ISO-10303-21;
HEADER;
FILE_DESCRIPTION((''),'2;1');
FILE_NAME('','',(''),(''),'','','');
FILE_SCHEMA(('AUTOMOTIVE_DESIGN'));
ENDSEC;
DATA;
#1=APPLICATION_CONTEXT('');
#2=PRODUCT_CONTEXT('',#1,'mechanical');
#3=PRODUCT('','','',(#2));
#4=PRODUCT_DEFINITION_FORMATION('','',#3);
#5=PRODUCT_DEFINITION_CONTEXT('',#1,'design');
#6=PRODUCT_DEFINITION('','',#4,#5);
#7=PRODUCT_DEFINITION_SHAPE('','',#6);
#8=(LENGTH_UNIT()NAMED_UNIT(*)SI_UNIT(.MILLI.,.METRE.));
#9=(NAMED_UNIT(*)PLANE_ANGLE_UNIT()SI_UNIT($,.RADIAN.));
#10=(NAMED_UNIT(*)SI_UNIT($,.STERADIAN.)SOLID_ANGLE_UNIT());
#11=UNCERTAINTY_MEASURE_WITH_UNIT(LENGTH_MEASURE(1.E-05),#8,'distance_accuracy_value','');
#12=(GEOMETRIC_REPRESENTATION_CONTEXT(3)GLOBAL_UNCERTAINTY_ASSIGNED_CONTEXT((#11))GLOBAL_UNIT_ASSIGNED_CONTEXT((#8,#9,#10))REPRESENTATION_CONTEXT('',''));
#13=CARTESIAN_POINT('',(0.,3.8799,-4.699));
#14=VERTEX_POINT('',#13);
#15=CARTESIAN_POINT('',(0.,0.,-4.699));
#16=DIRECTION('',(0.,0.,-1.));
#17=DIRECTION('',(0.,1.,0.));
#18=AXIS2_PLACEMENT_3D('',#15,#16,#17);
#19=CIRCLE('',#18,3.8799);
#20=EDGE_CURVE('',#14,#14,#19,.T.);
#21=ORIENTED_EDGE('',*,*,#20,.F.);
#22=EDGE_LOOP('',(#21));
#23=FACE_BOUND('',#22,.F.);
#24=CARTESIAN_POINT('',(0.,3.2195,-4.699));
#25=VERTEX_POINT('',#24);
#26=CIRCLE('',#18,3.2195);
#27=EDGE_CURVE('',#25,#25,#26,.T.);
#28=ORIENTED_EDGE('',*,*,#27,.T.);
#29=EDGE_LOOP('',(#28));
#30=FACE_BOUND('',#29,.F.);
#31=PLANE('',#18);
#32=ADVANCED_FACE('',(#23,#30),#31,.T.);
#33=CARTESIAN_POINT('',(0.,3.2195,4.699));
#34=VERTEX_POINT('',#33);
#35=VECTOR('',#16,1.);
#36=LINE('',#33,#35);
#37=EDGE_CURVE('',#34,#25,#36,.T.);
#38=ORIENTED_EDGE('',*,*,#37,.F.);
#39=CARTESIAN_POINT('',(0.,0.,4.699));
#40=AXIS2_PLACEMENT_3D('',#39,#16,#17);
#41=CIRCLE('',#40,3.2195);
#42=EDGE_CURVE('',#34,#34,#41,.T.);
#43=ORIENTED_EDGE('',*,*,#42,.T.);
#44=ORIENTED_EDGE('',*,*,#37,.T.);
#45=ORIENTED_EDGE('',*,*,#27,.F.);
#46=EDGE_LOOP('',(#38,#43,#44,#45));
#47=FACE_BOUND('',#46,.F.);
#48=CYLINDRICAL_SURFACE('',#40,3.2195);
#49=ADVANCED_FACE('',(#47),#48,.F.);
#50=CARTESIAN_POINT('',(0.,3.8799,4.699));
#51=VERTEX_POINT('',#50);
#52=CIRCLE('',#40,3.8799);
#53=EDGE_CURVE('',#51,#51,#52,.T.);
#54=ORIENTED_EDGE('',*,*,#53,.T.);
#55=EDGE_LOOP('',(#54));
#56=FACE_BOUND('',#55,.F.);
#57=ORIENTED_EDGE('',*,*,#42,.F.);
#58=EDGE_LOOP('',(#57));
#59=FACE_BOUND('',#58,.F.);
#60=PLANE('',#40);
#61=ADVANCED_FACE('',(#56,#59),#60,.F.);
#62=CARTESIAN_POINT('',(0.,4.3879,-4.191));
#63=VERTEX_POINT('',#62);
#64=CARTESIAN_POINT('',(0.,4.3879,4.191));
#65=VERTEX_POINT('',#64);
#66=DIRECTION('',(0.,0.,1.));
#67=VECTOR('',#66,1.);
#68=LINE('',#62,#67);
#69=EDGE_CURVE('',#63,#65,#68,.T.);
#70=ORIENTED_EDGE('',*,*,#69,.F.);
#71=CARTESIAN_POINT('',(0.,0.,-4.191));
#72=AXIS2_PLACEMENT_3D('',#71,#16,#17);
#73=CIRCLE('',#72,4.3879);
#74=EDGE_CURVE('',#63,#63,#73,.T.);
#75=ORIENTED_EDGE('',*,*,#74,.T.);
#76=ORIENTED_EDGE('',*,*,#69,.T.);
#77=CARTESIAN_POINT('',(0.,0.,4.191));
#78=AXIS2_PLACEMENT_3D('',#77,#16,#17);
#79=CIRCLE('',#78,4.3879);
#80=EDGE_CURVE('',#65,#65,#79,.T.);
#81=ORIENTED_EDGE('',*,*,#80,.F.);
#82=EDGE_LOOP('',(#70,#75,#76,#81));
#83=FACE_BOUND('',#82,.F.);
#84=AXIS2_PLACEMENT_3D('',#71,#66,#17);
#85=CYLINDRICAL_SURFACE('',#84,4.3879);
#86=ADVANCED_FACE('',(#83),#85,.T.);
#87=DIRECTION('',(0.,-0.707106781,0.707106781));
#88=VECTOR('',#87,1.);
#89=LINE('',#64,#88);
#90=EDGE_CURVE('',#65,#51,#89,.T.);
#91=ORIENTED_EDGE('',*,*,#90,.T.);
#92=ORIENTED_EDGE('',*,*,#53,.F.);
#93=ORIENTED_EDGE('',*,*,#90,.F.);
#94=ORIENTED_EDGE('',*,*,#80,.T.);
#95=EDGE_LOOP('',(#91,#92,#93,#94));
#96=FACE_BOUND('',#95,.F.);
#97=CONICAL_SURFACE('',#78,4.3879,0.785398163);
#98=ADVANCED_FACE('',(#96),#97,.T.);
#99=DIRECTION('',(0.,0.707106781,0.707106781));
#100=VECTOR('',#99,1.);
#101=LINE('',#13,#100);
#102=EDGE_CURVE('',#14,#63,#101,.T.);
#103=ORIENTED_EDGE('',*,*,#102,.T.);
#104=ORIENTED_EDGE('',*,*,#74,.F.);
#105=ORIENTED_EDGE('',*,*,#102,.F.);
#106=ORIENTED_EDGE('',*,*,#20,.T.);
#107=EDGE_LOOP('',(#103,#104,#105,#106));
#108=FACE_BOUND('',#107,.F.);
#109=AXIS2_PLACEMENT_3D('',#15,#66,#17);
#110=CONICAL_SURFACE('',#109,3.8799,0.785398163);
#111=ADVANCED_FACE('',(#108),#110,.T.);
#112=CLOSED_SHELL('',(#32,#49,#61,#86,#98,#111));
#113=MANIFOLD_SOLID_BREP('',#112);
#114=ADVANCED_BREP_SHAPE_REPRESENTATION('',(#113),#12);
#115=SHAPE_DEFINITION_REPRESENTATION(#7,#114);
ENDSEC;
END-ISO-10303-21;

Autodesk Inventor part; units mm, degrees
sketch "Sketch_1" plane through (0, 0, 0) normal (1, 0, 0) x (0, 1, 0)
  line L0 (0, -4.699) -> (0, 4.699)
  line L1 (3.2195, 4.699) -> (3.2195, -4.699)
  line L2 (3.2195, -4.699) -> (3.8799, -4.699)
  line L3 (3.8799, -4.699) -> (4.3879, -4.191)
  line L4 (4.3879, -4.191) -> (4.3879, 4.191)
  line L5 (4.3879, 4.191) -> (3.8799, 4.699)
  line L6 (3.8799, 4.699) -> (3.2195, 4.699)
revolve "Revolution1" add sketch "Sketch_1" angle 360 about axis through (0, 0, -4.699) along (0, 0, -1)
ref_plane "bushing_XY" through (0, 0, 0) normal (0, 0, 1) x (1, 0, 0)
ref_plane "bushing_YZ" through (0, 0, 0) normal (1, 0, 0) x (0, 1, 0)
ref_plane "bushing_ZX" through (0, 0, 0) normal (0, 1, 0) x (0, 0, 1)
ref_plane "id1_XY" through (-3.2195, 0, 0) normal (0, 0, 1) x (1, 0, 0)
ref_plane "id1_YZ" through (-3.2195, 0, 0) normal (1, 0, 0) x (0, 1, 0)
ref_plane "id1_ZX" through (-3.2195, 0, 0) normal (0, 1, 0) x (0, 0, 1)
ref_plane "id2_XY" through (3.2195, 0, 0) normal (0, 0, 1) x (1, 0, 0)
ref_plane "id2_YZ" through (3.2195, 0, 0) normal (1, 0, 0) x (0, 1, 0)
ref_plane "id2_ZX" through (3.2195, 0, 0) normal (0, 1, 0) x (0, 0, 1)
ref_plane "id3_XY" through (0, 0, -4.699) normal (0, 0, -1) x (0, 1, 0)
ref_plane "id3_YZ" through (0, 0, -4.699) normal (0, 1, 0) x (1, 0, 0)
ref_plane "id3_ZX" through (0, 0, -4.699) normal (1, 0, 0) x (0, 0, -1)
ref_plane "id4_XY" through (0, 0, 4.699) normal (0, 0, 1) x (0, 1, 0)
ref_plane "id4_YZ" through (0, 0, 4.699) normal (0, 1, 0) x (-1, 0, 0)
ref_plane "id4_ZX" through (0, 0, 4.699) normal (-1, 0, 0) x (0, 0, 1)
properties part number "D-3543"
